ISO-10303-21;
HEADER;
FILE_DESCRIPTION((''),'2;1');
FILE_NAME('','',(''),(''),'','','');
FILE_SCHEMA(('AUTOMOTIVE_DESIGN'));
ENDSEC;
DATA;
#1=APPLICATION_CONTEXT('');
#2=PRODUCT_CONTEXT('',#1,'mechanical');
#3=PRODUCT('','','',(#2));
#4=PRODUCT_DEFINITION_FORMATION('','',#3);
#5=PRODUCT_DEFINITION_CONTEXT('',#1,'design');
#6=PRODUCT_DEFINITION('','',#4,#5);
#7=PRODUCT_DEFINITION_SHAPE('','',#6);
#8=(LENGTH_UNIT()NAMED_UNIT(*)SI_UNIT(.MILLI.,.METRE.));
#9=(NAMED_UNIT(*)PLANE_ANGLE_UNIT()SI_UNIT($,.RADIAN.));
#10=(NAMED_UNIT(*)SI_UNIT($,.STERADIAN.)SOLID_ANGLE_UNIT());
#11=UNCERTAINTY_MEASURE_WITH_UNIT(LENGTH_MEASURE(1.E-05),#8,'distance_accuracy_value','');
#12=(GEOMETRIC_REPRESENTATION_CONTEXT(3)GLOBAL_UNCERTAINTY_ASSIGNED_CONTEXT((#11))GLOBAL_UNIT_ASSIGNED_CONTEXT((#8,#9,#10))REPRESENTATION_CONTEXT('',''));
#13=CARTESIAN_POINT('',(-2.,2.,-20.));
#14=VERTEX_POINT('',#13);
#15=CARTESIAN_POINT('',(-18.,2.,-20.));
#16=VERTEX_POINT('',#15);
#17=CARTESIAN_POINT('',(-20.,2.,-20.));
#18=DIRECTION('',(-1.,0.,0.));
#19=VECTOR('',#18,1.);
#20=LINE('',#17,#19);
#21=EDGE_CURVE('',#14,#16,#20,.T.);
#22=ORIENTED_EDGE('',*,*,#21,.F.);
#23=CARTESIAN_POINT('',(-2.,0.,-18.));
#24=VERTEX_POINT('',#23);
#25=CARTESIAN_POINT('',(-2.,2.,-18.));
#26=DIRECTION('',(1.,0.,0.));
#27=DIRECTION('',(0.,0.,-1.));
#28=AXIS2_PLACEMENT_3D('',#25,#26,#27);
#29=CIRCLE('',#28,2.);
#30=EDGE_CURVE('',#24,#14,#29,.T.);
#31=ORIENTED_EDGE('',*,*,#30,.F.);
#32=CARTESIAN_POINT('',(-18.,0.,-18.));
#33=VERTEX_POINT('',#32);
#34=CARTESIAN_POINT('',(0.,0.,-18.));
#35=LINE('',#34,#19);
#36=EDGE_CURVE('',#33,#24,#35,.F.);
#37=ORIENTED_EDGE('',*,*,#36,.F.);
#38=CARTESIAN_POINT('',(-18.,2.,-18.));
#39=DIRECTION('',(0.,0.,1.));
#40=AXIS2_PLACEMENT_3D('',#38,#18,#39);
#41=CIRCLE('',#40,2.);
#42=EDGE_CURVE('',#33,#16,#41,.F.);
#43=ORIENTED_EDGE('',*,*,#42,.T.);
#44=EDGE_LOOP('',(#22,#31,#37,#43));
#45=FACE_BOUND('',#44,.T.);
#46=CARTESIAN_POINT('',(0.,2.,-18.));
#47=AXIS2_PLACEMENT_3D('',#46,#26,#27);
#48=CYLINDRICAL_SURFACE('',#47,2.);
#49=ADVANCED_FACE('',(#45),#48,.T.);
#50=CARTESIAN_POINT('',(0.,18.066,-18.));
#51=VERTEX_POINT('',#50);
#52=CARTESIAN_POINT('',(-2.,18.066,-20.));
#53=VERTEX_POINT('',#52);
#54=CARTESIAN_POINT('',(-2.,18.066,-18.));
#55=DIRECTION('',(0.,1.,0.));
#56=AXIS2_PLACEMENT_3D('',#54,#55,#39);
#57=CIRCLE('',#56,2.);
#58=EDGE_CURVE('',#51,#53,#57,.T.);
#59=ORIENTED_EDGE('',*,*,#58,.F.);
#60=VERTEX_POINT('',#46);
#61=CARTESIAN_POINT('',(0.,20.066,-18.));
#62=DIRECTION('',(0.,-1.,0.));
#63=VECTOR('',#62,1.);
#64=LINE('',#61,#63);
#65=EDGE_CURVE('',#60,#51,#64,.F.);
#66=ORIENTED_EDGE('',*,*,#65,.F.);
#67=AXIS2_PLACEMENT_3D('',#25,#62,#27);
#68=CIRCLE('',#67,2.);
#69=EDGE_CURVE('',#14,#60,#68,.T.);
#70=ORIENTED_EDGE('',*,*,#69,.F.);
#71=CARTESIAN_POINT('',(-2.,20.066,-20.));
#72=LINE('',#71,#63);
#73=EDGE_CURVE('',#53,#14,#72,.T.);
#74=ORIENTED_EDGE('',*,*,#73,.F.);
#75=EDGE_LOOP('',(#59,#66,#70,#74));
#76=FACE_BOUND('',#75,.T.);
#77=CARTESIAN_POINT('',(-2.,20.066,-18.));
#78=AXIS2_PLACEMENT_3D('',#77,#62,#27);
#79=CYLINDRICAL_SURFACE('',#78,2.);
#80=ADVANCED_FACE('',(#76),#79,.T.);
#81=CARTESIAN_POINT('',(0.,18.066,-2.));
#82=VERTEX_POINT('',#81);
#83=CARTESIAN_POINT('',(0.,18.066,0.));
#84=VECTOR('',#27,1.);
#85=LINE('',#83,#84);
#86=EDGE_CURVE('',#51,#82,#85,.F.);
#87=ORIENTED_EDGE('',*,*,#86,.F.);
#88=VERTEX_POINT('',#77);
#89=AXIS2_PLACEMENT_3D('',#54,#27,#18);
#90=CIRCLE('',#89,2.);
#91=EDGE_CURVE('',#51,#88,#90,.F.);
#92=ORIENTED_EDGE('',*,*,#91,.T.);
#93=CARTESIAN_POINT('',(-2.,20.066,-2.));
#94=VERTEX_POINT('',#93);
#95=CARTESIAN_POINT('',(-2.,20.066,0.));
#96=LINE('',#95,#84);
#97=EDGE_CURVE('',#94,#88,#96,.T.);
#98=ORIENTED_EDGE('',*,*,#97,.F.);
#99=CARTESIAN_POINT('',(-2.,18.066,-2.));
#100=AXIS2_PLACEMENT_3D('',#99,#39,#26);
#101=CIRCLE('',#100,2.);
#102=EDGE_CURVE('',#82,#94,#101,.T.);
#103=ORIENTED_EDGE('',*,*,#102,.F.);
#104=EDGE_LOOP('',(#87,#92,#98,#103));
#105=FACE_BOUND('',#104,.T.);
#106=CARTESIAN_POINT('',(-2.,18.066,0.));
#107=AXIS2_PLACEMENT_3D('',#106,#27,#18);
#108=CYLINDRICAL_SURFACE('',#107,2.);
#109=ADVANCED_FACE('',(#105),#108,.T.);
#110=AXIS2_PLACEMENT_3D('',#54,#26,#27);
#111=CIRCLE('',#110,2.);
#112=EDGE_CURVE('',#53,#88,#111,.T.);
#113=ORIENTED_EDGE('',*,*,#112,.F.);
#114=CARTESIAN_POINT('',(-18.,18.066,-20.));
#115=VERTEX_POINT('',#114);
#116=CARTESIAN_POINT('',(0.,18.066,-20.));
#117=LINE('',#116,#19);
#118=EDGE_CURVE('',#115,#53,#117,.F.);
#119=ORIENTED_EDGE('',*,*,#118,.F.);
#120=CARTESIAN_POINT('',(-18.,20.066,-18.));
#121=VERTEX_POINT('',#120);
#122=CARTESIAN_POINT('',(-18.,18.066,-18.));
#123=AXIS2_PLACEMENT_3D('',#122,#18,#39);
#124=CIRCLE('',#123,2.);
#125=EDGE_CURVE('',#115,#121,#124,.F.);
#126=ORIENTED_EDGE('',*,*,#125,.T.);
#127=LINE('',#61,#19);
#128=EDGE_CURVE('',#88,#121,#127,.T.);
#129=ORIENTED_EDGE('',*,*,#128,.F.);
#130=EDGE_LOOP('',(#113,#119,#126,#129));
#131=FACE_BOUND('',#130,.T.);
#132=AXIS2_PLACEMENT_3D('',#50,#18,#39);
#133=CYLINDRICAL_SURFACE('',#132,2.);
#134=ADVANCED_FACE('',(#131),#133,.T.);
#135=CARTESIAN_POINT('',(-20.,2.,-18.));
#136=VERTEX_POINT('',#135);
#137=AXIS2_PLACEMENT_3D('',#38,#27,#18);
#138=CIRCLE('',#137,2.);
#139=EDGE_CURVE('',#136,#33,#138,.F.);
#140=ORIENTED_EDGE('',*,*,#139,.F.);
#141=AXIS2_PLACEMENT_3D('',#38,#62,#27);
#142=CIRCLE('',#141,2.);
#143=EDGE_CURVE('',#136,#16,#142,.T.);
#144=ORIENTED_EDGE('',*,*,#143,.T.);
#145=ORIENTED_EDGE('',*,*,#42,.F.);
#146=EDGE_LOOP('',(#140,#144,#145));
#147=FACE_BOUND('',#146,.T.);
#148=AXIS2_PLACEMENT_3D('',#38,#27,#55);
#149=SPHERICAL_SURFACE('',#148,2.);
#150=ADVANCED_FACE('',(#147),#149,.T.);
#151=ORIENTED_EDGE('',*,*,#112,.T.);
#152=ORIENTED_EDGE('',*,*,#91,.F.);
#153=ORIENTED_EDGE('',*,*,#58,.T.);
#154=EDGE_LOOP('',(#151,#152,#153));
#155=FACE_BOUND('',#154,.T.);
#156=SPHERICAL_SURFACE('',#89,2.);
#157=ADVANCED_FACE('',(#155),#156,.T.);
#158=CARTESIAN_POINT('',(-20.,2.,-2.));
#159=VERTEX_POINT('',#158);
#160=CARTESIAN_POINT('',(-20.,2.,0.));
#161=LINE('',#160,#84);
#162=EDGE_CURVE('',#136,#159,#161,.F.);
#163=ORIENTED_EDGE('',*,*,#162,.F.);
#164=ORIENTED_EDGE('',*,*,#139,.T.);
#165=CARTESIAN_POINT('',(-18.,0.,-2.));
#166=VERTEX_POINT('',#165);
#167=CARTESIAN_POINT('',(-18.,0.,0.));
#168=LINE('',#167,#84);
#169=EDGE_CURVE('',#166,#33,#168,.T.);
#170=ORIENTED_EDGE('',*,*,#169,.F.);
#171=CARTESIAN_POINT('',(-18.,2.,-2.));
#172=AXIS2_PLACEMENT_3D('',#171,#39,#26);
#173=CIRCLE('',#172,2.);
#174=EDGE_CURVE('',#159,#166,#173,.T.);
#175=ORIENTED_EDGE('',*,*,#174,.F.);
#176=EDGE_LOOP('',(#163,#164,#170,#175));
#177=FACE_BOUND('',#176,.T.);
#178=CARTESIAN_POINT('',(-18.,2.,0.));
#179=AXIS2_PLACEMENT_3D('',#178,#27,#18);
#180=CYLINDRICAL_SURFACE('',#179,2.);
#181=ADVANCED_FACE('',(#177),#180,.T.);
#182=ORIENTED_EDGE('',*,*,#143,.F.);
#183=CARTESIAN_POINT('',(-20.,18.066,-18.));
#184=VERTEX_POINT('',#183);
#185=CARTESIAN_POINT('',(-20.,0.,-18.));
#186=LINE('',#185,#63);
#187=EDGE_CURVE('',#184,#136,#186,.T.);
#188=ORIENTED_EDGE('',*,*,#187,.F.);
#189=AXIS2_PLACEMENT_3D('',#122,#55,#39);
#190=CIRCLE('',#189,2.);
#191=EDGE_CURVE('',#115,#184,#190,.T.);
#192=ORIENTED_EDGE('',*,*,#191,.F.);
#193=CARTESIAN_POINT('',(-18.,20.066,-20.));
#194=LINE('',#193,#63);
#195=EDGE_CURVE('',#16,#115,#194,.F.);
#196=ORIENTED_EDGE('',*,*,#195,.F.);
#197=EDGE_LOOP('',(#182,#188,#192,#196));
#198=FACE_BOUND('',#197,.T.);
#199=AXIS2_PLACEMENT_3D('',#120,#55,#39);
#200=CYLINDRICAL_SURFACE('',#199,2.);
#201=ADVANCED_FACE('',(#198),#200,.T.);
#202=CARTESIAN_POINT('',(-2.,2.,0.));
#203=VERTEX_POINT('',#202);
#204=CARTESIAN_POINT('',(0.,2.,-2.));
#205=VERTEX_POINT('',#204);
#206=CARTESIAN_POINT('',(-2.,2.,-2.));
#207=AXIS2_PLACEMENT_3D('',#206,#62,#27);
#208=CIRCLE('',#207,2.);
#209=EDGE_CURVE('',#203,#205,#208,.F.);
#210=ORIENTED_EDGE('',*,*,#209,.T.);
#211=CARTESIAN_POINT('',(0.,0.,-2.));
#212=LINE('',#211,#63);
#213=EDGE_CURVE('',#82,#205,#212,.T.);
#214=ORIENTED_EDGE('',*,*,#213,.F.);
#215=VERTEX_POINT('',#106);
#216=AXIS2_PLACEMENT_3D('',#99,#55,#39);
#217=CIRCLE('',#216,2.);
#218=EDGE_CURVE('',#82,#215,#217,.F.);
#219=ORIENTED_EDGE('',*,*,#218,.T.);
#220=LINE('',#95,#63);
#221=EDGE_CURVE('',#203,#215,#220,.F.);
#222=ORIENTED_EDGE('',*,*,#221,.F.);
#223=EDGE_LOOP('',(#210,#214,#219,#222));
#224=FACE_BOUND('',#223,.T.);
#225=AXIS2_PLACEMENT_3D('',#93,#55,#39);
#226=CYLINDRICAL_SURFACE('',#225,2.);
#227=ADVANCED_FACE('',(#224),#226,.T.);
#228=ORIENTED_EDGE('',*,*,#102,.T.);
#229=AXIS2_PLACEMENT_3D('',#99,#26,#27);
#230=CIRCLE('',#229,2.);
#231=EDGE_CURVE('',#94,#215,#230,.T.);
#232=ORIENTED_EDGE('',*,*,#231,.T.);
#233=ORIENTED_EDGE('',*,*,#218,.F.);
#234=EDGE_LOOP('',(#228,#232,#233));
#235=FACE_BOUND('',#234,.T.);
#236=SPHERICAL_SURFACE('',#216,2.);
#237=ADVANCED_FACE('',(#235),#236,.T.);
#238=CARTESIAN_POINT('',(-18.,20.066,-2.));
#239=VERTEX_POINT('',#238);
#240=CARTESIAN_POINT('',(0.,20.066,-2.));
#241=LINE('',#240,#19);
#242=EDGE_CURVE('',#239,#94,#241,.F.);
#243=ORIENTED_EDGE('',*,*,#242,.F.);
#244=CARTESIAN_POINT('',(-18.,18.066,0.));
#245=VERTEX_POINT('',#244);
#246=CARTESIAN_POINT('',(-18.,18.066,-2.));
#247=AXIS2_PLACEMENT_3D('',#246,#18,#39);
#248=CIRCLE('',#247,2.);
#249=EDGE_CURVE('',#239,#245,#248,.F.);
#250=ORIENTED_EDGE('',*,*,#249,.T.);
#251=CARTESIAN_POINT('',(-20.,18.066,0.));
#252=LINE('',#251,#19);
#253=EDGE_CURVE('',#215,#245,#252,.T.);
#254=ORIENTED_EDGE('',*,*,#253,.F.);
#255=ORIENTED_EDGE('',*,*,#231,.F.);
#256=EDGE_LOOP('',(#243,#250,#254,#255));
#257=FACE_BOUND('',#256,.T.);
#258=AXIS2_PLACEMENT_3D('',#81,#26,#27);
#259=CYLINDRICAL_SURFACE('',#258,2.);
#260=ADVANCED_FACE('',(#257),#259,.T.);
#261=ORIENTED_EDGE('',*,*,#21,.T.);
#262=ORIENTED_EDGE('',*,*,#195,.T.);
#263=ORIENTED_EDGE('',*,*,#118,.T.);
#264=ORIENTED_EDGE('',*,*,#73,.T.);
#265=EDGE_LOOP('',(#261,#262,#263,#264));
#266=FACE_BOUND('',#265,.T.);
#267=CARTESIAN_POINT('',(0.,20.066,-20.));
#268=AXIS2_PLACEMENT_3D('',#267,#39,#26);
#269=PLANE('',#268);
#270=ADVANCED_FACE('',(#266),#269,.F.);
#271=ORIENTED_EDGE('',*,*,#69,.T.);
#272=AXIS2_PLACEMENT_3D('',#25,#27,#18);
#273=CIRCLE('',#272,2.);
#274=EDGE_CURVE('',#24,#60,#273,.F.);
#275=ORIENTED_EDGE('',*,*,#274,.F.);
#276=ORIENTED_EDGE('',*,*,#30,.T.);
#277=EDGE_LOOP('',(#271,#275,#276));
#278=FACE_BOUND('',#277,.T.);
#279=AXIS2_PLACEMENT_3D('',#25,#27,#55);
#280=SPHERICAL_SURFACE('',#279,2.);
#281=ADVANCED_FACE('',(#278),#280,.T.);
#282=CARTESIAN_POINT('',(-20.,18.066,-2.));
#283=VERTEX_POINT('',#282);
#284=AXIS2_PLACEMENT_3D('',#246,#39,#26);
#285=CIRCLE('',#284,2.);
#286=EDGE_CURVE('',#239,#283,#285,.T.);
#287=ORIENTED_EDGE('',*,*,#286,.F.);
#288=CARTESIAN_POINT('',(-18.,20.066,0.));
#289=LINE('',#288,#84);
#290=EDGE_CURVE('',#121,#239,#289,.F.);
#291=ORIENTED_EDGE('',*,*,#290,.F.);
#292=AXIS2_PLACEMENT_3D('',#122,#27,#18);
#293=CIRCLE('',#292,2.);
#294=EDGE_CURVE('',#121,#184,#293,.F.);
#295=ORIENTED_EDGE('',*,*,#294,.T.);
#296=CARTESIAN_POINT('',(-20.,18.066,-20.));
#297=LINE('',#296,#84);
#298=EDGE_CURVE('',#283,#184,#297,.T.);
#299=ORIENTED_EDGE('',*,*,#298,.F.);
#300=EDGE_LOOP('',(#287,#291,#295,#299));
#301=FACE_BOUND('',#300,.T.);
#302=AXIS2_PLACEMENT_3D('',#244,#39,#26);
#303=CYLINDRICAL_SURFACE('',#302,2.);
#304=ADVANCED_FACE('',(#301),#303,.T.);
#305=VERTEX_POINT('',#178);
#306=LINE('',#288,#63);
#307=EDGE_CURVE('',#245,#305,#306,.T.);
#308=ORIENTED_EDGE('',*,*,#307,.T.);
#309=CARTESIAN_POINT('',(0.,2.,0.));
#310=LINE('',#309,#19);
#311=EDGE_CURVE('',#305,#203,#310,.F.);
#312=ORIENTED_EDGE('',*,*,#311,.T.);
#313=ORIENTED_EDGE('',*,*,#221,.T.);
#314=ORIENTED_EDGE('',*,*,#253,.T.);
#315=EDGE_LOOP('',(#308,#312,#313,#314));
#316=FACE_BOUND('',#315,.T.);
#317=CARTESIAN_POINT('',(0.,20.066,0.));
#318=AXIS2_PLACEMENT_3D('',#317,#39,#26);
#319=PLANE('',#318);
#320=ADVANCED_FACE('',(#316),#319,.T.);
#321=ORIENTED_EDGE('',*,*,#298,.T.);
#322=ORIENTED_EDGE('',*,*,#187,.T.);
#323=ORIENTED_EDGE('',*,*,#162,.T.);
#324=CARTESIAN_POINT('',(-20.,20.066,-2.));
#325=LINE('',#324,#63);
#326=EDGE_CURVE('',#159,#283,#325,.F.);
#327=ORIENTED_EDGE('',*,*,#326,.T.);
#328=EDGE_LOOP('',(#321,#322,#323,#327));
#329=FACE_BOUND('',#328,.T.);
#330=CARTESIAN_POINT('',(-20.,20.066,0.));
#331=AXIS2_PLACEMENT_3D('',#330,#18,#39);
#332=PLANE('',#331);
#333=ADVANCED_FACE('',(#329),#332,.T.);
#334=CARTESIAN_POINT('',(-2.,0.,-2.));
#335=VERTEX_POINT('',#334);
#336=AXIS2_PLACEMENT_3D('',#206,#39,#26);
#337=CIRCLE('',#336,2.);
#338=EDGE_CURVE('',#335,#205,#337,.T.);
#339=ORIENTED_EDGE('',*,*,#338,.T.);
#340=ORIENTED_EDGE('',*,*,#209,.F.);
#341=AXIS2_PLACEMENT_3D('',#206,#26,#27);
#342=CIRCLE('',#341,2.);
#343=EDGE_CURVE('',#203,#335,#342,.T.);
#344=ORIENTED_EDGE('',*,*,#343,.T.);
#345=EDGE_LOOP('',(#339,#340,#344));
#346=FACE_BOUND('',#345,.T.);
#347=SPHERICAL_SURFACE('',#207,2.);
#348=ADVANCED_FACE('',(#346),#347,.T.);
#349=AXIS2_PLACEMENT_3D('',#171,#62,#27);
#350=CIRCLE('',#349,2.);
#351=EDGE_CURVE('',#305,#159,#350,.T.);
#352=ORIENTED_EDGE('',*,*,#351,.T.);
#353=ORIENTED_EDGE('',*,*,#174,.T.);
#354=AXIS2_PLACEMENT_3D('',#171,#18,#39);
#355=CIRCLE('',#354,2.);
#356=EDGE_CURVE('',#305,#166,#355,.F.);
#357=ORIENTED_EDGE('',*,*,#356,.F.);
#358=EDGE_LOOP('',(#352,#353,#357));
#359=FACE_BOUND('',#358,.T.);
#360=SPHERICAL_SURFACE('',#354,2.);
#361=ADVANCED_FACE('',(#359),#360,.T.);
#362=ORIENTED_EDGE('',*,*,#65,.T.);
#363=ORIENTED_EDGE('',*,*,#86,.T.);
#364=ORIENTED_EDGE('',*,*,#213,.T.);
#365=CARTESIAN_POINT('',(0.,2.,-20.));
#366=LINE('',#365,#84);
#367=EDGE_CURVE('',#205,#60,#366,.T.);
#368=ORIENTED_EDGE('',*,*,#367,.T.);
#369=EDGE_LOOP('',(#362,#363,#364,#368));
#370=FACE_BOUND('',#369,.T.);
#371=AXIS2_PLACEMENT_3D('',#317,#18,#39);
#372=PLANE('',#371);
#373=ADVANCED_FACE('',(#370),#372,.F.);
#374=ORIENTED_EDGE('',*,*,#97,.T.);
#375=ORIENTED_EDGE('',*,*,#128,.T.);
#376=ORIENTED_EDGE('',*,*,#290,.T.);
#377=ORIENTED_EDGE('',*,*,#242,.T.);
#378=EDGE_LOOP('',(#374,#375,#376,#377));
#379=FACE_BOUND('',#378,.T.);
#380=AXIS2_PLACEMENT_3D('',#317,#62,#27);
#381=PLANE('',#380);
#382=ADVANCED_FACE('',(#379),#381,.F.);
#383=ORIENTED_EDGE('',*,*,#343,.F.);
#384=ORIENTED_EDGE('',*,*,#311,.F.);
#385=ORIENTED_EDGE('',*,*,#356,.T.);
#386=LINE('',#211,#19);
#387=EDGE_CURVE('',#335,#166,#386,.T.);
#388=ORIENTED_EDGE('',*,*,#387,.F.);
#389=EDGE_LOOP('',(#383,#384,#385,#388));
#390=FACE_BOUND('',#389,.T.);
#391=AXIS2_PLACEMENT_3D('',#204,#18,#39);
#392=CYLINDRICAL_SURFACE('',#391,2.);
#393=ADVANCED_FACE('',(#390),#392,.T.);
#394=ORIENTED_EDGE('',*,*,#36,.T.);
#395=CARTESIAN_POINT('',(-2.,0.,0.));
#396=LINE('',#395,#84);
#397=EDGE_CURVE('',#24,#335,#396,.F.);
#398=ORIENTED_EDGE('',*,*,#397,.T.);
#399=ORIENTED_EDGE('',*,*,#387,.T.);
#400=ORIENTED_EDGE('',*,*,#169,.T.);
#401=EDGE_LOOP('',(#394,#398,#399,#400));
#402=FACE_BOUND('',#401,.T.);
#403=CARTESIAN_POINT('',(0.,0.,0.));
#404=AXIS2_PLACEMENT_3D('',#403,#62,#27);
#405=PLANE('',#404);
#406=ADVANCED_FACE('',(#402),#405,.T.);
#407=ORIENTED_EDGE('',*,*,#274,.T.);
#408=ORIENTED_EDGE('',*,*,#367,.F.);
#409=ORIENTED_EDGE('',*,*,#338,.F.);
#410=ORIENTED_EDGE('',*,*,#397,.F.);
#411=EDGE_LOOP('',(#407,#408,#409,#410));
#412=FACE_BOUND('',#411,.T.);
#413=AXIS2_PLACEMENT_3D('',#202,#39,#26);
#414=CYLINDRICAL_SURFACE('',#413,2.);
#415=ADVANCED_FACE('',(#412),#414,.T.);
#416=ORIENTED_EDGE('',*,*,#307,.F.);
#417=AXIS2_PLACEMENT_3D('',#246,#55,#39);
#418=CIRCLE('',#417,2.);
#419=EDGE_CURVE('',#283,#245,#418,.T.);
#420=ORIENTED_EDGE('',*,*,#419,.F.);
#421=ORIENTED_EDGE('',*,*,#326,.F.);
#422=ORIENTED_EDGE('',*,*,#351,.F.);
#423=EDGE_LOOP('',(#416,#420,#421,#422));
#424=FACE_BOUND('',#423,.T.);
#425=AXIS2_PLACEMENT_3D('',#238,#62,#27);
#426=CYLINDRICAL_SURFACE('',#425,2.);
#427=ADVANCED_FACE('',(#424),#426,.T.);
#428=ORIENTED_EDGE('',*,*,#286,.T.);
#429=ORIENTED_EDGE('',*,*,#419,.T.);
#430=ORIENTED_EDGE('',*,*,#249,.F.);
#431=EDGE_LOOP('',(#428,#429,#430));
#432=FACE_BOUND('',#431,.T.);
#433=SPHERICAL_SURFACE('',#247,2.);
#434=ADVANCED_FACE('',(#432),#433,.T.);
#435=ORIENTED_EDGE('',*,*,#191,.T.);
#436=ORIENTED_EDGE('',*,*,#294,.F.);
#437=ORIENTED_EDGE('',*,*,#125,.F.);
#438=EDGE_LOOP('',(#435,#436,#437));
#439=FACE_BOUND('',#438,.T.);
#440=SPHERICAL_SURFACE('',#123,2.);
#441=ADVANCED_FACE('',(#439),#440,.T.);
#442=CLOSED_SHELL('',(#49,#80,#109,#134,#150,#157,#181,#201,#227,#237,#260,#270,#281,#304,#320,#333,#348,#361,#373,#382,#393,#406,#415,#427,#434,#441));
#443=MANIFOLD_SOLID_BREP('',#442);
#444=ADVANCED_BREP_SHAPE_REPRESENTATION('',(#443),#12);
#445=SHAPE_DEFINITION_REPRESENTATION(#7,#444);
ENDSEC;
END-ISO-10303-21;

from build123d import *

# Parameters (mm, degrees)
SKETCH1_W           = 20
SKETCH1_H           = 19.999999878
BOSS_EXTRUDE1_DEPTH = 20.066
FILLET1_R           = 2


with BuildPart() as part:
    # Sketch1 → Boss-Extrude1 (new body)
    with BuildSketch(Plane(origin=(0, 0, 0), x_dir=(1, 0, 0), z_dir=(0, 1, 0))):
        with Locations((-10, 9.999999939)):
            Rectangle(SKETCH1_W, SKETCH1_H)
    extrude(amount=BOSS_EXTRUDE1_DEPTH)

    # Fillet1
    fillet1_edges = [part.edges().sort_by_distance(p)[0] for p in [
        (-10, 20.066, -19.999999878),
        (0, 20.066, -9.999999939),
        (-10, 20.066, 0),
        (0, 0, -9.999999939),
        (-10, 0, -19.999999878),
        (-20, 0, -9.999999939),
        (-10, 0, 0),
        (0, 10.033, 0),
        (0, 10.033, -19.999999878),
        (-20, 10.033, -19.999999878),
        (-20, 10.033, 0),
        (-20, 20.066, -9.999999939),
    ]]
    fillet(fillet1_edges, radius=FILLET1_R)


solid = part.part
